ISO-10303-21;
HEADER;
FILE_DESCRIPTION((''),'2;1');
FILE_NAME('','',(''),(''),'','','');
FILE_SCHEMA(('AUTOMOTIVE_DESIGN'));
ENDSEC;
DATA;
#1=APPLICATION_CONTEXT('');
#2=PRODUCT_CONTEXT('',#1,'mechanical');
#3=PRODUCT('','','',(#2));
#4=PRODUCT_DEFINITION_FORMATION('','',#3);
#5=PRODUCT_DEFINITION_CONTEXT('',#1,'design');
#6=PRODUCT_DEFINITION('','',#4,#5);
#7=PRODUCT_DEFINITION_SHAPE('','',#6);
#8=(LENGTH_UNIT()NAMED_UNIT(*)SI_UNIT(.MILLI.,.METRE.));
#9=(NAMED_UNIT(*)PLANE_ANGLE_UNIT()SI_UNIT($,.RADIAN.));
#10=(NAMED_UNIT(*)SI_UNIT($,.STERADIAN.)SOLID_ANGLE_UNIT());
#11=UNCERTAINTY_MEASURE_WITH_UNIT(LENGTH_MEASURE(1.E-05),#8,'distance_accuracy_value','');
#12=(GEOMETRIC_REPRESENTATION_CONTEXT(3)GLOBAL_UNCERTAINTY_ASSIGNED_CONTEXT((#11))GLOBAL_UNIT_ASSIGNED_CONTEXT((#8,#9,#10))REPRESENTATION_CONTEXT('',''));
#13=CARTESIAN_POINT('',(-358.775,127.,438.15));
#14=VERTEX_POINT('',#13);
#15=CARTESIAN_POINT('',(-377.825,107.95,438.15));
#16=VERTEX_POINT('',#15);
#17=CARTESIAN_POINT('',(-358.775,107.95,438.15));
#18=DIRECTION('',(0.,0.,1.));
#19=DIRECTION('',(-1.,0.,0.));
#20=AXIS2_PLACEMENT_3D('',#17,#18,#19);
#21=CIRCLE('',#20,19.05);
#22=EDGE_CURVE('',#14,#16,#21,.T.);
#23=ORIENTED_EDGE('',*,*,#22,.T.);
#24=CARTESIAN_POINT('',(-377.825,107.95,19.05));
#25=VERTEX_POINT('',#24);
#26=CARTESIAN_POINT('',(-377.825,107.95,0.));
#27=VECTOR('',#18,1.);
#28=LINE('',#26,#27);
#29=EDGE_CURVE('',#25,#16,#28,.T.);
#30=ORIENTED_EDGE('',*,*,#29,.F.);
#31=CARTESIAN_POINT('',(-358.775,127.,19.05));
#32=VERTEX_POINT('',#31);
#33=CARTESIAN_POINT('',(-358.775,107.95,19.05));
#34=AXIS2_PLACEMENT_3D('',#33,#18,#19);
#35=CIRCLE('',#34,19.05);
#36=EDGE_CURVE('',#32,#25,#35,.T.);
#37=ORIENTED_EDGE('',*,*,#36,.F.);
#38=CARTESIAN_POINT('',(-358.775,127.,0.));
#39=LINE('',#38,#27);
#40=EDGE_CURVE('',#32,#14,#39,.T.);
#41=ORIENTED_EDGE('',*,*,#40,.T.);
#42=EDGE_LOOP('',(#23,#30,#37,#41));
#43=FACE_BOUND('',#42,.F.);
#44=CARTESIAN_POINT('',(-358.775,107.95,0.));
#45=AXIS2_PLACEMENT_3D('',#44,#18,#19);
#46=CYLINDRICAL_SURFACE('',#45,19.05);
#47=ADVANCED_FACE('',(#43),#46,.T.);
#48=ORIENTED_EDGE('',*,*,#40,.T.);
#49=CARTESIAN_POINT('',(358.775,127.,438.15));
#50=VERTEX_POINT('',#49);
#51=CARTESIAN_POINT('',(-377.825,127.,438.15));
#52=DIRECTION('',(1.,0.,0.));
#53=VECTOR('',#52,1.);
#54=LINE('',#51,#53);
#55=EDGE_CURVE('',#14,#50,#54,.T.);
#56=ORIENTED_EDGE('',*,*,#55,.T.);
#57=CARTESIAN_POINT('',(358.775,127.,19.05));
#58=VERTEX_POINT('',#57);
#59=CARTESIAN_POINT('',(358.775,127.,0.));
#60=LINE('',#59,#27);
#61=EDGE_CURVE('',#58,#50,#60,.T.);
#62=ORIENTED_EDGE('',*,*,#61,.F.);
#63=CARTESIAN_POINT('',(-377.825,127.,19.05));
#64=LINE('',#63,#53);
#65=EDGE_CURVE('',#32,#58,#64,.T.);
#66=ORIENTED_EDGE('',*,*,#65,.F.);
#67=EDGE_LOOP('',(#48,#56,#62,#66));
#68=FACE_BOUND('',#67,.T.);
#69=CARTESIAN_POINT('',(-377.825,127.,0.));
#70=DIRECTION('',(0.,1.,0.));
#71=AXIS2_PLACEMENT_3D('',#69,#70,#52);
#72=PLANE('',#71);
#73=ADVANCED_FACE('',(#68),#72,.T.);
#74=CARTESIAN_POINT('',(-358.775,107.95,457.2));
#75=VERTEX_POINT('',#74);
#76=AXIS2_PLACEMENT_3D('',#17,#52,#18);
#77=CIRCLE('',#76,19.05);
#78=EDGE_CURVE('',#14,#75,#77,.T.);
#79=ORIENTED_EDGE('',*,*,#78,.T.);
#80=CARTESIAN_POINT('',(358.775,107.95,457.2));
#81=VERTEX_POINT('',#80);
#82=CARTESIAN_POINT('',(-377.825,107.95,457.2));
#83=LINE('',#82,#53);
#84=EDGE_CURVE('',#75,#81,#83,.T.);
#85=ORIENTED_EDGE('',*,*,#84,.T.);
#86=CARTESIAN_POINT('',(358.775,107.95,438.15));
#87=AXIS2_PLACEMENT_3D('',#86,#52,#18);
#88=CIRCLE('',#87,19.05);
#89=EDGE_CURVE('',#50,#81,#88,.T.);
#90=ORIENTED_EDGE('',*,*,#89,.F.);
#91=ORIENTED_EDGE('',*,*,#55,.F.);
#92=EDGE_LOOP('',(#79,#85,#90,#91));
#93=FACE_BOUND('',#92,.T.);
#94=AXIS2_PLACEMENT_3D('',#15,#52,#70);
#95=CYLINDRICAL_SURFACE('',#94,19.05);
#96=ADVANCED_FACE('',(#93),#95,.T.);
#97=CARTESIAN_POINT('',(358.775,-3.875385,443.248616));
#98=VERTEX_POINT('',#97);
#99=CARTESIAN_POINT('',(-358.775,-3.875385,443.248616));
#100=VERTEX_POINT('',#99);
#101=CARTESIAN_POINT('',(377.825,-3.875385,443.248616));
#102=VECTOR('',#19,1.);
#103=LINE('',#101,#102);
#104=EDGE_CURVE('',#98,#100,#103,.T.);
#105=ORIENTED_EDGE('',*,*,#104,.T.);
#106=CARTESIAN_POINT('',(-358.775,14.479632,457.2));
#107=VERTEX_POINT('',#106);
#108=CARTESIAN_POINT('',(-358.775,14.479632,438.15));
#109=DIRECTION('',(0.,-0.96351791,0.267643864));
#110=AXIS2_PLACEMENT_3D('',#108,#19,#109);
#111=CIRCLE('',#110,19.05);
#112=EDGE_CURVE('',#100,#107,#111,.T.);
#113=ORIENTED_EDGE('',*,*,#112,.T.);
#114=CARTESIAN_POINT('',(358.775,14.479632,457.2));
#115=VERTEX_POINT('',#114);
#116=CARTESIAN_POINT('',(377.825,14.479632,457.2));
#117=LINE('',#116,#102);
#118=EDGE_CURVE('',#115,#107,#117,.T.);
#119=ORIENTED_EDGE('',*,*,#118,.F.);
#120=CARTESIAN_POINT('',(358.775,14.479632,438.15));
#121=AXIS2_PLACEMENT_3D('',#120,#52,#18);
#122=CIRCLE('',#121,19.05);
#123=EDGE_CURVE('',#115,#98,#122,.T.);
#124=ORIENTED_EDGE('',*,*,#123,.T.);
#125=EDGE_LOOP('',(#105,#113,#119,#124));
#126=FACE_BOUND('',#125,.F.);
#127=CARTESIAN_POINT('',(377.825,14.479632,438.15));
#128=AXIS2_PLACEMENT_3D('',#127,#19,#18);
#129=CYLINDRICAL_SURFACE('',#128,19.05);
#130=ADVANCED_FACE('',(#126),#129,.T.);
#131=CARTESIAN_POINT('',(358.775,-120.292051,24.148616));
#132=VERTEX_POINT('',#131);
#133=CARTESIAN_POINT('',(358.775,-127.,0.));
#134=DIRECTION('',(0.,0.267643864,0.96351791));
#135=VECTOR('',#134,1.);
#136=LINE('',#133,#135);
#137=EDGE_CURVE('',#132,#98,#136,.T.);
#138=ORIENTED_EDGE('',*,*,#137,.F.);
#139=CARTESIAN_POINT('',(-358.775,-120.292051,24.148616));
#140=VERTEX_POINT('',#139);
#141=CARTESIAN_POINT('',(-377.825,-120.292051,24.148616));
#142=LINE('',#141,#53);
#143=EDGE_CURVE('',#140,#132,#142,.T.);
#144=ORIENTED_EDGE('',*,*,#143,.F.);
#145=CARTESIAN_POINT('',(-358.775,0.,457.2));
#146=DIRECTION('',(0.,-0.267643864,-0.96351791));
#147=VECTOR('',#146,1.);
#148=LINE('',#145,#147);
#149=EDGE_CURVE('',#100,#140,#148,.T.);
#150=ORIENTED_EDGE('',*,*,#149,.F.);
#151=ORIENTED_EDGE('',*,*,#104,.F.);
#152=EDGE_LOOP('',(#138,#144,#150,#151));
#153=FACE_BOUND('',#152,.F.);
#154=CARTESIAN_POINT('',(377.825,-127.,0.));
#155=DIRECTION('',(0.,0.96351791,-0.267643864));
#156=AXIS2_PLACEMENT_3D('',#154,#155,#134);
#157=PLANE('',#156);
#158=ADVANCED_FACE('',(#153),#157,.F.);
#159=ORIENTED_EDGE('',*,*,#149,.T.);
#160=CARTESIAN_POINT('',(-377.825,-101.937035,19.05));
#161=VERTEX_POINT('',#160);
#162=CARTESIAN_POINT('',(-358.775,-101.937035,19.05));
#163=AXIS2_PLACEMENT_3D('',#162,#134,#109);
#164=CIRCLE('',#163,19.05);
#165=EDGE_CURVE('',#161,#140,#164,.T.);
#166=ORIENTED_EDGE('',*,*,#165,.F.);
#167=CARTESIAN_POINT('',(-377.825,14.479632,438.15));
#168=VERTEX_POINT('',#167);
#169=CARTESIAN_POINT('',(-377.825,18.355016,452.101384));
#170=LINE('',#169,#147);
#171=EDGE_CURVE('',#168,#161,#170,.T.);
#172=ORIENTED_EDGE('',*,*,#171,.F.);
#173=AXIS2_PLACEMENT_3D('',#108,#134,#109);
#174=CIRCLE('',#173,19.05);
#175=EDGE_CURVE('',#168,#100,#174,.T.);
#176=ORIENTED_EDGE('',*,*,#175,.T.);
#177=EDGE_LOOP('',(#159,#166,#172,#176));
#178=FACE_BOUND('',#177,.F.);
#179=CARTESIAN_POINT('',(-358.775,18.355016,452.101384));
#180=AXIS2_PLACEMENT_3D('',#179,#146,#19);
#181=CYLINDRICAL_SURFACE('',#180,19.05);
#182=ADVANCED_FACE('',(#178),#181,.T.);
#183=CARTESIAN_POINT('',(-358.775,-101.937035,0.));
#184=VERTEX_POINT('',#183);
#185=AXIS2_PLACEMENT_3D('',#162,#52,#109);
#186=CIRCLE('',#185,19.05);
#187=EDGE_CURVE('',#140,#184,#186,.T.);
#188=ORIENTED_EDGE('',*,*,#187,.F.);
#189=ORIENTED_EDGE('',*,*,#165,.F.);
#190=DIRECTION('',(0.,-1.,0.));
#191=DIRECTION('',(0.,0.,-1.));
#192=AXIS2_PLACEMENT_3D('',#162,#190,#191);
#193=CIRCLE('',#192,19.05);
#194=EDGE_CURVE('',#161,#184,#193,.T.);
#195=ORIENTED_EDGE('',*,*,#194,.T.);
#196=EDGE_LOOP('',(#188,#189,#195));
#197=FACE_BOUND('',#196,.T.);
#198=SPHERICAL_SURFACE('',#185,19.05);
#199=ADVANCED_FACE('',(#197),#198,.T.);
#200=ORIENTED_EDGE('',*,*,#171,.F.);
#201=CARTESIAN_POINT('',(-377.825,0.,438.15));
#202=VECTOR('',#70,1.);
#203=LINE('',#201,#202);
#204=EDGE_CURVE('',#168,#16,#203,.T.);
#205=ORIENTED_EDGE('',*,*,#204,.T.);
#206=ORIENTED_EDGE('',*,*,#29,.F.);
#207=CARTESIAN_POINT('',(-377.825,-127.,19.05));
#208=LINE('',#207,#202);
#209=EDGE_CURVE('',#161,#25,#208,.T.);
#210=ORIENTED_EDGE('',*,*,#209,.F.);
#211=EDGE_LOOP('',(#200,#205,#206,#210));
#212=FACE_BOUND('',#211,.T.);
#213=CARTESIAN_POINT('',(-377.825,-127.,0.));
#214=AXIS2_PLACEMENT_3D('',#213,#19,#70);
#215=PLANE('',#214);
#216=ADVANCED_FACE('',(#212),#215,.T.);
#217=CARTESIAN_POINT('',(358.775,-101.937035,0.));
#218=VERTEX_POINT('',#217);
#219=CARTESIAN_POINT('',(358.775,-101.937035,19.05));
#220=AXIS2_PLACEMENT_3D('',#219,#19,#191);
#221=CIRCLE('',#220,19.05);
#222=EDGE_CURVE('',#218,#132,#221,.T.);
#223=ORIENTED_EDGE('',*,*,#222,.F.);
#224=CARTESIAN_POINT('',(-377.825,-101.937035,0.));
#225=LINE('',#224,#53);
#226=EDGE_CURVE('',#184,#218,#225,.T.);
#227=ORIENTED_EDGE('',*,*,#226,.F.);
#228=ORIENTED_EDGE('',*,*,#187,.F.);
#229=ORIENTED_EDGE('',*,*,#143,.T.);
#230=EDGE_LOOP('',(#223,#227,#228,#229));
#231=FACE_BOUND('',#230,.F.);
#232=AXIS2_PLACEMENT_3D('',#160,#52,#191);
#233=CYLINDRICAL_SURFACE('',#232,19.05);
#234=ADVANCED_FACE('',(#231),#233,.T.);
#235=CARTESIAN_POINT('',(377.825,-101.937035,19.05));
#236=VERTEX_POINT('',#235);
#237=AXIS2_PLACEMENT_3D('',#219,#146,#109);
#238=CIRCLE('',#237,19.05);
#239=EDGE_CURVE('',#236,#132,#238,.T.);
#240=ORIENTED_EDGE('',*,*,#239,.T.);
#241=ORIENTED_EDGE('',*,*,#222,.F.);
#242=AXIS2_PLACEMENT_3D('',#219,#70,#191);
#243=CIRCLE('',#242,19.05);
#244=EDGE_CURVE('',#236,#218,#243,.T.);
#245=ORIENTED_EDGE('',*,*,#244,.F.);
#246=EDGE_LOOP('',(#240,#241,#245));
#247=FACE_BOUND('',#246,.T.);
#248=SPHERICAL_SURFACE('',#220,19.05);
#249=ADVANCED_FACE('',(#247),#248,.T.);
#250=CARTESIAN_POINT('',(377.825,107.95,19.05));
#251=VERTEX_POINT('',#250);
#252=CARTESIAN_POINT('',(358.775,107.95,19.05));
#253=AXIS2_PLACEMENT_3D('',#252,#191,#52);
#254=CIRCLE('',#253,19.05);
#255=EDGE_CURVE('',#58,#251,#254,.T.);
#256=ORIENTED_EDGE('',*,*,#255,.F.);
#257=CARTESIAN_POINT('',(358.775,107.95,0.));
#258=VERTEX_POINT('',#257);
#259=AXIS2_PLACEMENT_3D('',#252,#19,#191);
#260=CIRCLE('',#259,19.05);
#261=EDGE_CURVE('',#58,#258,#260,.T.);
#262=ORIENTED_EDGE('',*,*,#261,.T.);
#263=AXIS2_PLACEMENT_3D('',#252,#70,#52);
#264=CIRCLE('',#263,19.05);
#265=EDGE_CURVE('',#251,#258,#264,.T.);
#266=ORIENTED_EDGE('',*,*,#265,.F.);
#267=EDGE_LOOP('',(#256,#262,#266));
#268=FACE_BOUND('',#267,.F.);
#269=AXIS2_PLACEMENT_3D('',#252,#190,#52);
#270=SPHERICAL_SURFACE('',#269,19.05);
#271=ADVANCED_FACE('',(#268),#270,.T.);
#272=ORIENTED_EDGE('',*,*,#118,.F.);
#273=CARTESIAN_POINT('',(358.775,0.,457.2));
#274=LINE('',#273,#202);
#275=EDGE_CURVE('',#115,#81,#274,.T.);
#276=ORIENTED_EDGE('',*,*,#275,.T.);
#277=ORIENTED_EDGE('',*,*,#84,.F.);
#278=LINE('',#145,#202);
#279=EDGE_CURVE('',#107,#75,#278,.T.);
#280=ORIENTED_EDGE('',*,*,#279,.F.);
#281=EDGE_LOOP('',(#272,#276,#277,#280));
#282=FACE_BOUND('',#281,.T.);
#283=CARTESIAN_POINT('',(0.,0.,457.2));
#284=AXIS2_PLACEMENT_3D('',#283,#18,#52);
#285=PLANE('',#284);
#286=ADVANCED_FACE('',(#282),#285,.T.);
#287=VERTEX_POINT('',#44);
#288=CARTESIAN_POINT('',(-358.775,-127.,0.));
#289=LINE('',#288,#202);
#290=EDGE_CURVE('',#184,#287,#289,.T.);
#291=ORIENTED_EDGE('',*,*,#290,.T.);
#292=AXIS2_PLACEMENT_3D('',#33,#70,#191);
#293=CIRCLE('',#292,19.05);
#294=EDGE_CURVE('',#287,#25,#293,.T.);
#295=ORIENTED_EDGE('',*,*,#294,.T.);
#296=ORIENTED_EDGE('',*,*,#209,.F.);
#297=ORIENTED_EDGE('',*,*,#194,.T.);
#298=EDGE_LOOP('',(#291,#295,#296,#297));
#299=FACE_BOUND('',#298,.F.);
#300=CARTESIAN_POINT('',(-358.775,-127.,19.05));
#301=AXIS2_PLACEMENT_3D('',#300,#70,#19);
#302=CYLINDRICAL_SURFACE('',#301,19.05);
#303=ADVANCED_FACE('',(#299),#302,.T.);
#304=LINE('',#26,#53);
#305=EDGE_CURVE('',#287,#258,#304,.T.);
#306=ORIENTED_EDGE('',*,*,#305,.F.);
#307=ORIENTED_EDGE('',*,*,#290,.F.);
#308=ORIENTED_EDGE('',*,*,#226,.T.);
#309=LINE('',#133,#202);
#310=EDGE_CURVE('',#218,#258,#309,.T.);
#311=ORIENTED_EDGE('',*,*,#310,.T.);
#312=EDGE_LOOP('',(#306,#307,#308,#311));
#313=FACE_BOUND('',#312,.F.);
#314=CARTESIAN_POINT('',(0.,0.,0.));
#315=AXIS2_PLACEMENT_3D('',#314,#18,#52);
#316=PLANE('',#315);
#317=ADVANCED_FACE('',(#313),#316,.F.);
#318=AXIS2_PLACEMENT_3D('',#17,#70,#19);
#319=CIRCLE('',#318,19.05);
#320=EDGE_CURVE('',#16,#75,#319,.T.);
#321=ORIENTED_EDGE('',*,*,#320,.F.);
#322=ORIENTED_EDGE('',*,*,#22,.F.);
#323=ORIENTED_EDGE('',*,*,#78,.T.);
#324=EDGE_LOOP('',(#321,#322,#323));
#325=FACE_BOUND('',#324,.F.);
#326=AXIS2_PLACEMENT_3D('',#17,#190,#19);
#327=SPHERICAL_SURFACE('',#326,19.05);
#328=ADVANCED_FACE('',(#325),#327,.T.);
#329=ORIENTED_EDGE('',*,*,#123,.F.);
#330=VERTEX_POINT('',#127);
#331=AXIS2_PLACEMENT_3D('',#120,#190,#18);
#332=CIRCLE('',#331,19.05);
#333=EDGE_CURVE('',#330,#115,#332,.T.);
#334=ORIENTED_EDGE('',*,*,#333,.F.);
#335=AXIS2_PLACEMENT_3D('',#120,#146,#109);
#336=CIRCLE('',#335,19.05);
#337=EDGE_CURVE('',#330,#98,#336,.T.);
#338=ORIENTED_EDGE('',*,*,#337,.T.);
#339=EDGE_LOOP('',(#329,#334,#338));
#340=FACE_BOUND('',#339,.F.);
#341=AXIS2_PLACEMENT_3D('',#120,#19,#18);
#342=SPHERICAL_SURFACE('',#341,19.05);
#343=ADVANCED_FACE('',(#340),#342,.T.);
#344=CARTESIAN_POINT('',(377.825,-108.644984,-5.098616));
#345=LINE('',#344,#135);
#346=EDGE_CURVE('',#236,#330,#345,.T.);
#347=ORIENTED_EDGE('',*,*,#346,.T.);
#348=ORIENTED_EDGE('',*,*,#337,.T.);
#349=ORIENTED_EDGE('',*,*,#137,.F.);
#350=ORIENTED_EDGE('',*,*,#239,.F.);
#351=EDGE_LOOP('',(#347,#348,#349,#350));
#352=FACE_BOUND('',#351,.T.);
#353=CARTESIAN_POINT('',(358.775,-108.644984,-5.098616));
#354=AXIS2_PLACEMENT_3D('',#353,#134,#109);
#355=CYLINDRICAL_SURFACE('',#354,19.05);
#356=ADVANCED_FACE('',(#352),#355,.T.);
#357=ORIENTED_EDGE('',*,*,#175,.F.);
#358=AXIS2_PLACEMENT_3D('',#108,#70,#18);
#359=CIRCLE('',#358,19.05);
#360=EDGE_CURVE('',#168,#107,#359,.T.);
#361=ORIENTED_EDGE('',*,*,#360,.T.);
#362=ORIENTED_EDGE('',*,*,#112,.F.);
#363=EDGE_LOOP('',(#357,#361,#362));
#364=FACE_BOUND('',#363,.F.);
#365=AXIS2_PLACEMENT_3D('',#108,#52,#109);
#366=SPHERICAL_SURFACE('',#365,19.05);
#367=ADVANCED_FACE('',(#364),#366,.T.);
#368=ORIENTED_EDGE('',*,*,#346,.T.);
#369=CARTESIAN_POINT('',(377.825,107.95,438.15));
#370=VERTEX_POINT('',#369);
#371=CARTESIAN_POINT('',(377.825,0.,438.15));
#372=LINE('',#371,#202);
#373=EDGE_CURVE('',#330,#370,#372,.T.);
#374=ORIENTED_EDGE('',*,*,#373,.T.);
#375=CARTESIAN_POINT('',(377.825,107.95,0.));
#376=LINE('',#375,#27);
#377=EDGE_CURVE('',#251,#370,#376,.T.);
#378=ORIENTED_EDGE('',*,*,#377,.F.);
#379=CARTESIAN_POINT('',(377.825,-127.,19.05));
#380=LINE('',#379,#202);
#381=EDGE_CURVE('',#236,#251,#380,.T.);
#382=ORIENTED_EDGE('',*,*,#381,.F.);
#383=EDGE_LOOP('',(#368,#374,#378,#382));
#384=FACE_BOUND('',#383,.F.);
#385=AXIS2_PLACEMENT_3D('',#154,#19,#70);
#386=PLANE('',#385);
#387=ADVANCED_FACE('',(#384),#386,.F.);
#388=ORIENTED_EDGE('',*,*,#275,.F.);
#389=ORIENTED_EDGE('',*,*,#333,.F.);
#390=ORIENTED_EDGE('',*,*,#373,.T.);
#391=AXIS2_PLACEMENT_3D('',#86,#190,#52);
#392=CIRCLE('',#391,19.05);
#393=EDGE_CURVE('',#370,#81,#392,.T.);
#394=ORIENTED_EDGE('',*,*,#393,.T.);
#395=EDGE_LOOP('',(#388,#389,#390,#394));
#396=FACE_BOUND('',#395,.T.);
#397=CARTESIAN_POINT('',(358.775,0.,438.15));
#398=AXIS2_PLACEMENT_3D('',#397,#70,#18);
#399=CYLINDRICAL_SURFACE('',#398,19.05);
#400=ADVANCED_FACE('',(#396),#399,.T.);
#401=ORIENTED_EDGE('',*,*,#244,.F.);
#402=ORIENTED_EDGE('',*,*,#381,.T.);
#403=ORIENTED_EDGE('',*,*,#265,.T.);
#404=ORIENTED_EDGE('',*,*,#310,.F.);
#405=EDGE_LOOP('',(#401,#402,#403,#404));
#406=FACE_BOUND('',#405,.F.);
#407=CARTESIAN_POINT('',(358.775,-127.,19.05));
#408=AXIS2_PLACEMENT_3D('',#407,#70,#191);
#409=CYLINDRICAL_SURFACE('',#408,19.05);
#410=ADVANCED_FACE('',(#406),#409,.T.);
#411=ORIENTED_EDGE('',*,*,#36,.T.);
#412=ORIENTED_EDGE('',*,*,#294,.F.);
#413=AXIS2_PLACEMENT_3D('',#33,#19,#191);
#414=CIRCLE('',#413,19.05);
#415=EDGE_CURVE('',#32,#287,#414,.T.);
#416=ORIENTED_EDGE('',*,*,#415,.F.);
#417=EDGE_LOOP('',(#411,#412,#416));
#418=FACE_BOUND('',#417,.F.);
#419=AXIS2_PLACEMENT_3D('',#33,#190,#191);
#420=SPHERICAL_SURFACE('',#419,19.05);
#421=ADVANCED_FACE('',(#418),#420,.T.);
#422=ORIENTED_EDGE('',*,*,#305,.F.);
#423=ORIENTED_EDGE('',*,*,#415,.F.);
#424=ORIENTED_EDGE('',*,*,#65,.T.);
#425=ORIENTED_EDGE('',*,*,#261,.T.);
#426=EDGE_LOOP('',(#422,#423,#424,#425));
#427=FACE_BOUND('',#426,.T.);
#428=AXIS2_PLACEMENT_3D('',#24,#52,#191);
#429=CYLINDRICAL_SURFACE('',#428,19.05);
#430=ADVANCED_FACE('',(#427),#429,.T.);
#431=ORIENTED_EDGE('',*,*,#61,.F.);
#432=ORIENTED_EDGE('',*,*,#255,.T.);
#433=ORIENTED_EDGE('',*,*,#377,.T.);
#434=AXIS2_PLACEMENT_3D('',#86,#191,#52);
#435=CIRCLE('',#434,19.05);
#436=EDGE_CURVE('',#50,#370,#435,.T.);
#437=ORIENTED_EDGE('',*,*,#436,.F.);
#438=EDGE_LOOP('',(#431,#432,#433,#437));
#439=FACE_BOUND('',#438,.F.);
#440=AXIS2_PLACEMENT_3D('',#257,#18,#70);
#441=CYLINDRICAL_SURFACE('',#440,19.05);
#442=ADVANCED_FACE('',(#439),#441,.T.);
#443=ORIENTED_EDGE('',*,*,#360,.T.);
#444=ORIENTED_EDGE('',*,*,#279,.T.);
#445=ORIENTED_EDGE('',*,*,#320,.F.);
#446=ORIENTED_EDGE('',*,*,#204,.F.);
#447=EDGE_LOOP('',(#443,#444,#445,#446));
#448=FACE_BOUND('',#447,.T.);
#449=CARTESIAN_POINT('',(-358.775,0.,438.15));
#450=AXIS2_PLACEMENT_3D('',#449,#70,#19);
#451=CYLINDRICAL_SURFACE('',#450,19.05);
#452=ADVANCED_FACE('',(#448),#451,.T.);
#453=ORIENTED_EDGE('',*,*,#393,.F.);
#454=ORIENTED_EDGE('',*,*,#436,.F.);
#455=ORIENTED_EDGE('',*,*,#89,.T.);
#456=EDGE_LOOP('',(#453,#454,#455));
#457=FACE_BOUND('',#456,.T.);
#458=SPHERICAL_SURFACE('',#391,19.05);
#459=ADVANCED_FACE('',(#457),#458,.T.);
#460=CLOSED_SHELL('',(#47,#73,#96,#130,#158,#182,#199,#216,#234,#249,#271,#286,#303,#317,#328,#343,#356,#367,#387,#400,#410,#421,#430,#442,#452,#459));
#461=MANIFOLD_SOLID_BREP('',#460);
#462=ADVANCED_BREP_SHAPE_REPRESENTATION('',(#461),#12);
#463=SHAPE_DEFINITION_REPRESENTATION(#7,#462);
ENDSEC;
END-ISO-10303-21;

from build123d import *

# Parameters (mm, degrees)
F0_W     = 755.65
F0_H     = 254
F1_DEPTH = 457.2
F3_DEPTH = 755.651
F4_R     = 19.05


with BuildPart() as f1:
    # F0 (on Top) → F1 (new body)
    with BuildSketch(Plane.XY):
        Rectangle(F0_W, F0_H)
    extrude(amount=F1_DEPTH)

    # F2 (on face) → F3 (cut, through all)
    with BuildSketch(Plane.YZ.offset(377.825)):
        Polygon((-127, 457.2), (-127, 0), (0, 457.2), align=None)
    extrude(amount=-F3_DEPTH, mode=Mode.SUBTRACT)

    # F4
    f4_edges = [f1.edges().sort_by_distance(p)[0] for p in [
        (0, -127, 0),
        (377.825, 0, 0),
        (377.825, -63.5, 228.6),
        (-377.825, -63.5, 228.6),
        (-377.825, 0, 0),
        (-377.825, 63.5, 457.2),
        (0, 0, 457.2),
        (377.825, 63.5, 457.2),
        (377.825, 127, 228.6),
        (0, 127, 0),
        (-377.825, 127, 228.6),
        (0, 127, 457.2),
    ]]
    fillet(f4_edges, radius=F4_R)


solid = f1.part
